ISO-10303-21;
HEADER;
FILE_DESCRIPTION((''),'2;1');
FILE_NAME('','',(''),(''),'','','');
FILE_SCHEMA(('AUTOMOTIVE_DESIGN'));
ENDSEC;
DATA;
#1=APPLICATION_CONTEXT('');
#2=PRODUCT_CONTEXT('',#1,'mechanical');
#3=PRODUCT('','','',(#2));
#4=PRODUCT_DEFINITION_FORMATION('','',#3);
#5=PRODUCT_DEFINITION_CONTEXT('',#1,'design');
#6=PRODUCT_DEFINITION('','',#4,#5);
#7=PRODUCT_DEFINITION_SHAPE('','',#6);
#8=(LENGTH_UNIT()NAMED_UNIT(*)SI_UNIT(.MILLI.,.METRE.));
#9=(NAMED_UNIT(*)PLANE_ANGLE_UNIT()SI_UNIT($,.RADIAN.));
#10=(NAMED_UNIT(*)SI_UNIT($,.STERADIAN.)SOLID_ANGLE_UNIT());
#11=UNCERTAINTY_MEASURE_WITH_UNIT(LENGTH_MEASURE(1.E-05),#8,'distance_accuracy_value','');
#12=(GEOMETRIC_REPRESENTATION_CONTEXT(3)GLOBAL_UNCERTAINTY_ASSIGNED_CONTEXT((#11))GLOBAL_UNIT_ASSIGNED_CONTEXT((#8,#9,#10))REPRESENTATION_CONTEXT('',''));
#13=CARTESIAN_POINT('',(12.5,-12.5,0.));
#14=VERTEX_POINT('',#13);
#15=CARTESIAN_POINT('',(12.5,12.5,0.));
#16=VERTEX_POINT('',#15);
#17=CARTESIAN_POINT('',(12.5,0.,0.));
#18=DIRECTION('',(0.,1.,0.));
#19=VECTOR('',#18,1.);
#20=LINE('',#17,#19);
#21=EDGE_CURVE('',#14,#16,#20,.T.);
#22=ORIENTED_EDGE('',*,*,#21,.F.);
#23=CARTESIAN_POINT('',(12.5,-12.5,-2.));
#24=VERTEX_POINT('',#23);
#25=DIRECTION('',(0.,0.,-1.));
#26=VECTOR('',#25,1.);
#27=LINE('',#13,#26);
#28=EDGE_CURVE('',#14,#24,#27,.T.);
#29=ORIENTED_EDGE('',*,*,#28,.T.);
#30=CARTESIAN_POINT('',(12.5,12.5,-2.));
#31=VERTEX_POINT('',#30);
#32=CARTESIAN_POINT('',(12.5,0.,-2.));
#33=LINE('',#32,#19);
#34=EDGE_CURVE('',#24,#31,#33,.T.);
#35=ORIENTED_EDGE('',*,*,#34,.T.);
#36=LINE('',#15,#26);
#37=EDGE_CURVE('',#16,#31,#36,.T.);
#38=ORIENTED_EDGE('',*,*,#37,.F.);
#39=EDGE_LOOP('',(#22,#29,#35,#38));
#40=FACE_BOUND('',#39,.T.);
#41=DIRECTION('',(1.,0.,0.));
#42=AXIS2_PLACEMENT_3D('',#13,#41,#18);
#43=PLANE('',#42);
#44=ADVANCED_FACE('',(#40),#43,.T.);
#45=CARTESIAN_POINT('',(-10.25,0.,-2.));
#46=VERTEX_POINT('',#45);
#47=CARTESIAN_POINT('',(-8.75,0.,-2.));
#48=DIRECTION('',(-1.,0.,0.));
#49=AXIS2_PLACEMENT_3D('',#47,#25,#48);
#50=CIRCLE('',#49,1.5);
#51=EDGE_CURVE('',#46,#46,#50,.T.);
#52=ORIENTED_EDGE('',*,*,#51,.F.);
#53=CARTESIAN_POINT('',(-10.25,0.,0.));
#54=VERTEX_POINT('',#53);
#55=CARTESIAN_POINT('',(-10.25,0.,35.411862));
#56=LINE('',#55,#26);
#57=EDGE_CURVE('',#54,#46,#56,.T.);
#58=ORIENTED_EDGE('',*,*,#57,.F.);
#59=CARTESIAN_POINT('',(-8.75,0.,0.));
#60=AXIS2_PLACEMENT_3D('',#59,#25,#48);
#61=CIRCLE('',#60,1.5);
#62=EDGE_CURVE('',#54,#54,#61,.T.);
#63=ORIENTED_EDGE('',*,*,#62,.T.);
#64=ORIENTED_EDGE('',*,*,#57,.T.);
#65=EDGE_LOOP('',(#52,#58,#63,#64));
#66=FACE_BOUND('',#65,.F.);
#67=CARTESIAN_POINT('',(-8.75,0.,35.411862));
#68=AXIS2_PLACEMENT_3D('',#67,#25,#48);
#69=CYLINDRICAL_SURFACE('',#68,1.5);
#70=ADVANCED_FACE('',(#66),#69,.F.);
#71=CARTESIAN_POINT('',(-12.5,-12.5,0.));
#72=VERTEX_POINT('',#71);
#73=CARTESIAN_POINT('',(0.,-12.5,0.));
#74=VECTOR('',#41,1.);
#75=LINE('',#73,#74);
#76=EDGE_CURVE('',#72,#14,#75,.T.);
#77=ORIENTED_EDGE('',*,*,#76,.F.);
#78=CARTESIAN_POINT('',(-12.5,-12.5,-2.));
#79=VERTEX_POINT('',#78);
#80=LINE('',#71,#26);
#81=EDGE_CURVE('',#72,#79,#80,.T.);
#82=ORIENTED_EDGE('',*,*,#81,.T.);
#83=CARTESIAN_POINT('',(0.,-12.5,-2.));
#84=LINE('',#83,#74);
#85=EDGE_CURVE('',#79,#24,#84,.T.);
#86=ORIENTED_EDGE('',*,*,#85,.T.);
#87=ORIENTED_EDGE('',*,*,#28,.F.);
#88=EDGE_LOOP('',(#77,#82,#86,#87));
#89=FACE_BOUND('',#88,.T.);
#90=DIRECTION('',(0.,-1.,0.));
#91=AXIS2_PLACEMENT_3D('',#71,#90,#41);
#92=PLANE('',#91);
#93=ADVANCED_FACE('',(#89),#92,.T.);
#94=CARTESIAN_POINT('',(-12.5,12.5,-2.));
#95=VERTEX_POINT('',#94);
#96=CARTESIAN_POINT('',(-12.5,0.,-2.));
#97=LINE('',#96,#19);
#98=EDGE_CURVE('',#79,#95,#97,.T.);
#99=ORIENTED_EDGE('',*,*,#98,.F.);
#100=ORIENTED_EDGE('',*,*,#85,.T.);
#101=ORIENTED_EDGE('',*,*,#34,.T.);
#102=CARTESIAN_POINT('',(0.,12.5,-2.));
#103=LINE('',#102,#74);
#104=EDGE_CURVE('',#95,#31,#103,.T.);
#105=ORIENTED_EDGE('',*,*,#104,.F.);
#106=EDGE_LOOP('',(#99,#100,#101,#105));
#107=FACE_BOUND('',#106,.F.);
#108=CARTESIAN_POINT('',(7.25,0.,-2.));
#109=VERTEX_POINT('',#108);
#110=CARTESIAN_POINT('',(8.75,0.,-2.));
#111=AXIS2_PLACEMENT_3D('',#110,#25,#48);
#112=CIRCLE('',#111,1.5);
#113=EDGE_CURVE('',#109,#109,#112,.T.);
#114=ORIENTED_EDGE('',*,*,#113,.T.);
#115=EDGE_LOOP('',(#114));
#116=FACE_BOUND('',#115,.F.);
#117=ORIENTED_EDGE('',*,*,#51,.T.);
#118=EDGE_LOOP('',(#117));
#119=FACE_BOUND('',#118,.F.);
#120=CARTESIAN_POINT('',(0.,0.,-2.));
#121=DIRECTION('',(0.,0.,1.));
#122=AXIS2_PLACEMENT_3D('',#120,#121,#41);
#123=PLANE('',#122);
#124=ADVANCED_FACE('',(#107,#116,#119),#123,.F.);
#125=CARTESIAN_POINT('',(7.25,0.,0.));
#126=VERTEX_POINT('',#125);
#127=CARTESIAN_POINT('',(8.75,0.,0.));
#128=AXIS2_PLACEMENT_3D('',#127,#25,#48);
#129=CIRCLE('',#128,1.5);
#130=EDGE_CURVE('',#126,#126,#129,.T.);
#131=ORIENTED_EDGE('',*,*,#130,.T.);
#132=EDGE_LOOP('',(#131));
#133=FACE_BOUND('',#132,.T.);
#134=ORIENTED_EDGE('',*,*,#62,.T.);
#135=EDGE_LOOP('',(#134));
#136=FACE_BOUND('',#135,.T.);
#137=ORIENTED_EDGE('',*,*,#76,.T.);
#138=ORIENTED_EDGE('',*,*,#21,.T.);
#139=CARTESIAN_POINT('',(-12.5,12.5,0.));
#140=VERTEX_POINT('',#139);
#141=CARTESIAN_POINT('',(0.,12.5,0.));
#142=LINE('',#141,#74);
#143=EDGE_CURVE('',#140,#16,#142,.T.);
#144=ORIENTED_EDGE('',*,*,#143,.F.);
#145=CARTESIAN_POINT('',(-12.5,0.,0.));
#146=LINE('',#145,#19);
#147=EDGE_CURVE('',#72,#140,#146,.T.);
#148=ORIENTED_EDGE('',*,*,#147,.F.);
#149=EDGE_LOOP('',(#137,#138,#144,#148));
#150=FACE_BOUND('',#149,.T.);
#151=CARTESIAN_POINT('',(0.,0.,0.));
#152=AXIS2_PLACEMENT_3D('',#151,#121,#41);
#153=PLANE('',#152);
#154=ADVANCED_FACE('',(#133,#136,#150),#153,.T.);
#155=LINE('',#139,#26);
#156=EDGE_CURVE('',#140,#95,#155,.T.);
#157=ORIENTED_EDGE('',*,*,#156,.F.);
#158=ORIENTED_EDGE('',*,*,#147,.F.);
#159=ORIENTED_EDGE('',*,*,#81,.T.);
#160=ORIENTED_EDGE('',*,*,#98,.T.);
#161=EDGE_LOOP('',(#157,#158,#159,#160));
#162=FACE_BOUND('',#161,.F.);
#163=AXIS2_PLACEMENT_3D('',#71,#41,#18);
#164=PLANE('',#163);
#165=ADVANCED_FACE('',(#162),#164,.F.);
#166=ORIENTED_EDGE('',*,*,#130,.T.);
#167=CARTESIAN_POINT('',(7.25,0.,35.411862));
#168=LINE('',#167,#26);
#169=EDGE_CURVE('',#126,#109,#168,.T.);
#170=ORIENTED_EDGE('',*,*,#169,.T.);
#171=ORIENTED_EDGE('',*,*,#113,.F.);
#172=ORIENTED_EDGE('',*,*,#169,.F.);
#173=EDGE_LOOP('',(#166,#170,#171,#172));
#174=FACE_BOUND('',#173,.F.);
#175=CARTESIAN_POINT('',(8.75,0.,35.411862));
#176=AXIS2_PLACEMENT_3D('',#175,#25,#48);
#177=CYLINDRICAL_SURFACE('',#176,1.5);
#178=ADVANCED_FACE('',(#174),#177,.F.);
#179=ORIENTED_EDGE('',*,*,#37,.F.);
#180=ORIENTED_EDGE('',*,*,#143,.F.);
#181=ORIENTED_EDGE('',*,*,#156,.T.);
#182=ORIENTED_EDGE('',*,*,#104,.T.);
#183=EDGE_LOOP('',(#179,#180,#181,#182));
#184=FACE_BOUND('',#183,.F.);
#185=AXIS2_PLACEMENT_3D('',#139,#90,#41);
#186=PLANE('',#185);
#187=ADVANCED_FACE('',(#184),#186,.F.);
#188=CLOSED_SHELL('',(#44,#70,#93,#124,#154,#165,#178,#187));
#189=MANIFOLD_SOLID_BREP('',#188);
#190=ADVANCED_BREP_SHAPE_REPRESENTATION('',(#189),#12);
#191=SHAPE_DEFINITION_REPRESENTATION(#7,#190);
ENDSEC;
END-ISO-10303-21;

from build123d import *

# Parameters (mm, degrees)
F0_W     = 25
F0_H     = 25
F1_DEPTH = 2
F2_D     = 3


with BuildPart() as f1:
    # F0 (on Top) → F1 (new body)
    with BuildSketch(Plane.XY):
        Rectangle(F0_W, F0_H)
    extrude(amount=-F1_DEPTH)

    # F2 (through all)
    with Locations(Plane.XY):
        with Locations((-8.75, 0), (8.75, 0)):
            Hole(F2_D / 2)


solid = f1.part
